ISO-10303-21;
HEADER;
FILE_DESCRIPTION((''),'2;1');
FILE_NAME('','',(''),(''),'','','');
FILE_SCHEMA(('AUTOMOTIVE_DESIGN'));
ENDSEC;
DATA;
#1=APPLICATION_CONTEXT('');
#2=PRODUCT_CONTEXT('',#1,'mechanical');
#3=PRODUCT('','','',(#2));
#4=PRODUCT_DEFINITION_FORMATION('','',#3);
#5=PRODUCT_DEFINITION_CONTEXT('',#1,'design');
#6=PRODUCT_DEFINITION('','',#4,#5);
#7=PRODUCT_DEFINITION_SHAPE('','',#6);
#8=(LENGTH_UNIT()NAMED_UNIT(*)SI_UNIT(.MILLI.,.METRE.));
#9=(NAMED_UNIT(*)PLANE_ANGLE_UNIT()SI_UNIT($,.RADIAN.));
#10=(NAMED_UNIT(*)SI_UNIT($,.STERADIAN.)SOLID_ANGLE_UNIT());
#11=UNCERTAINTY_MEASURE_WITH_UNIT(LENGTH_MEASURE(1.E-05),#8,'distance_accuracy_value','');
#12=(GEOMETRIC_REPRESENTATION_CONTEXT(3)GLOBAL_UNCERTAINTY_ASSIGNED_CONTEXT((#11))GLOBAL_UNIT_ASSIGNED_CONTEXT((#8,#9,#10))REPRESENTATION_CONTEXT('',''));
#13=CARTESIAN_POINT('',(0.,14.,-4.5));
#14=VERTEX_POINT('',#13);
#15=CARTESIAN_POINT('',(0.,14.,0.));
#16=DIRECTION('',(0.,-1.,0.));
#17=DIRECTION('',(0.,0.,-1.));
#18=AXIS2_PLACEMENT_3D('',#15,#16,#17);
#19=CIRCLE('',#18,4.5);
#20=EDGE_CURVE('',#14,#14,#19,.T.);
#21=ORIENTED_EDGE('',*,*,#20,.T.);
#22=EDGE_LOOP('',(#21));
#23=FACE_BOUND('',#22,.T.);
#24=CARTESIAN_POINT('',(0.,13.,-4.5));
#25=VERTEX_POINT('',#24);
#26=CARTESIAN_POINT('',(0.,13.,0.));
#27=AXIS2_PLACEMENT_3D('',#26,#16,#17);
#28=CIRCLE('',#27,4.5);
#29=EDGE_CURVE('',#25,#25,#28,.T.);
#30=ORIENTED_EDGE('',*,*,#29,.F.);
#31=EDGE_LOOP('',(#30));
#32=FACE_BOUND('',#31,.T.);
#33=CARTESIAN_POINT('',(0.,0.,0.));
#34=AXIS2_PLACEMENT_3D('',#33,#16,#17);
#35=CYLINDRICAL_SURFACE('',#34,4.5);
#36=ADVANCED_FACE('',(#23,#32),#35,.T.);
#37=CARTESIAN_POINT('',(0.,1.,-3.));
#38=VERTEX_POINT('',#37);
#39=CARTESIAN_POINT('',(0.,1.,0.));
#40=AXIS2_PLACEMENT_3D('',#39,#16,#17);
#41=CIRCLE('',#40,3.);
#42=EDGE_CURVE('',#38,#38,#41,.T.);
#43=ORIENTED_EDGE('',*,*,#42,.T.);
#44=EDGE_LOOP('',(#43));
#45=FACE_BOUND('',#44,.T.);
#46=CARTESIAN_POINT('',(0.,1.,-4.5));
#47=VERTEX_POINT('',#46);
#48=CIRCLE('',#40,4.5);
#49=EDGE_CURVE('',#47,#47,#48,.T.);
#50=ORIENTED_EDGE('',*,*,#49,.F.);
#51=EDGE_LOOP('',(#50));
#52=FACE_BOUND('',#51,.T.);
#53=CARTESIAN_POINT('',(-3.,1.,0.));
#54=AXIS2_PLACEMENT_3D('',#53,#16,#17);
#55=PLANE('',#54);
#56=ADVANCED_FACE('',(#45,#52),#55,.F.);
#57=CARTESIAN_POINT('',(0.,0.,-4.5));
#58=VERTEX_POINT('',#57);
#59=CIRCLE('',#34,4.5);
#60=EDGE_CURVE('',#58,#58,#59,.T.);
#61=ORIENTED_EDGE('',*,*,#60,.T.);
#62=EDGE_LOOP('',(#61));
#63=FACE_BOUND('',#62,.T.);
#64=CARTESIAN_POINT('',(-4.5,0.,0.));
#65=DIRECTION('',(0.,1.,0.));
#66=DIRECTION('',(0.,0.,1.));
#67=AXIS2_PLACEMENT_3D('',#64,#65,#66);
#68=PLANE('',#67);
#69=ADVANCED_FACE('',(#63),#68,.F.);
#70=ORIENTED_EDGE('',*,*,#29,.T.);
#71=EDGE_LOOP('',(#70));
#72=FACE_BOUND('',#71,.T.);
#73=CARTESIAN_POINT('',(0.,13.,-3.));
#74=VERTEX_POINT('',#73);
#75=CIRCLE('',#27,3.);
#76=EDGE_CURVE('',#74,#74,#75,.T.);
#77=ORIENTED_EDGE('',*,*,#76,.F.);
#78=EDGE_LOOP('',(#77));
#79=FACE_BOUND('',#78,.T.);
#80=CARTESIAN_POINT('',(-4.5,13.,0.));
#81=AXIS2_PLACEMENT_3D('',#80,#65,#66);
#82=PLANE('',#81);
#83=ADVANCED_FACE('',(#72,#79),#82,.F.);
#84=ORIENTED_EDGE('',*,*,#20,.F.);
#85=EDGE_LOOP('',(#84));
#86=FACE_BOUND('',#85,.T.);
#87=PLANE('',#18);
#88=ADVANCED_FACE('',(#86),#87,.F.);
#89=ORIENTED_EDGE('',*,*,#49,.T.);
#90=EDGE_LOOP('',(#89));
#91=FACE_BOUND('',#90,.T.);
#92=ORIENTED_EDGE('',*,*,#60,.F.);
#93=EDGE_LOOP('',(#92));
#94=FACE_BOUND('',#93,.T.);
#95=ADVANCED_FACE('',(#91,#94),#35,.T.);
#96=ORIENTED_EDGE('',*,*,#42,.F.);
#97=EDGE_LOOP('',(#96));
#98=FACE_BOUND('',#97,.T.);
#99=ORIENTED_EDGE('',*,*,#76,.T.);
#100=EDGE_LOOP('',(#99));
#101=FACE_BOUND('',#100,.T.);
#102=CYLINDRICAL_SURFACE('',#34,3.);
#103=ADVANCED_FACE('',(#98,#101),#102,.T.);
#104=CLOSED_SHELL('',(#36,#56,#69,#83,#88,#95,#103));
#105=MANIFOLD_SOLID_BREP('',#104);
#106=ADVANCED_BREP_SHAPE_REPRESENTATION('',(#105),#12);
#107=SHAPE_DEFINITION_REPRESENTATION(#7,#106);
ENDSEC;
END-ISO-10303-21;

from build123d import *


with BuildPart() as part:
    # Sketch1 → Revolve1 (revolve)
    with BuildSketch(Plane.XY, mode=Mode.PRIVATE) as revolve1_sk:
        Polygon((0, 0), (0, 14), (-4.5, 14), (-4.5, 13), (-3, 13), (-3, 1), (-4.5, 1), (-4.5, 0), align=None)
    revolve(revolve1_sk.sketch.rotate(Axis((0, 0, 0), (0, 1, 0)), 270), axis=Axis((0, 0, 0), (0, 1, 0)))


solid = part.part
